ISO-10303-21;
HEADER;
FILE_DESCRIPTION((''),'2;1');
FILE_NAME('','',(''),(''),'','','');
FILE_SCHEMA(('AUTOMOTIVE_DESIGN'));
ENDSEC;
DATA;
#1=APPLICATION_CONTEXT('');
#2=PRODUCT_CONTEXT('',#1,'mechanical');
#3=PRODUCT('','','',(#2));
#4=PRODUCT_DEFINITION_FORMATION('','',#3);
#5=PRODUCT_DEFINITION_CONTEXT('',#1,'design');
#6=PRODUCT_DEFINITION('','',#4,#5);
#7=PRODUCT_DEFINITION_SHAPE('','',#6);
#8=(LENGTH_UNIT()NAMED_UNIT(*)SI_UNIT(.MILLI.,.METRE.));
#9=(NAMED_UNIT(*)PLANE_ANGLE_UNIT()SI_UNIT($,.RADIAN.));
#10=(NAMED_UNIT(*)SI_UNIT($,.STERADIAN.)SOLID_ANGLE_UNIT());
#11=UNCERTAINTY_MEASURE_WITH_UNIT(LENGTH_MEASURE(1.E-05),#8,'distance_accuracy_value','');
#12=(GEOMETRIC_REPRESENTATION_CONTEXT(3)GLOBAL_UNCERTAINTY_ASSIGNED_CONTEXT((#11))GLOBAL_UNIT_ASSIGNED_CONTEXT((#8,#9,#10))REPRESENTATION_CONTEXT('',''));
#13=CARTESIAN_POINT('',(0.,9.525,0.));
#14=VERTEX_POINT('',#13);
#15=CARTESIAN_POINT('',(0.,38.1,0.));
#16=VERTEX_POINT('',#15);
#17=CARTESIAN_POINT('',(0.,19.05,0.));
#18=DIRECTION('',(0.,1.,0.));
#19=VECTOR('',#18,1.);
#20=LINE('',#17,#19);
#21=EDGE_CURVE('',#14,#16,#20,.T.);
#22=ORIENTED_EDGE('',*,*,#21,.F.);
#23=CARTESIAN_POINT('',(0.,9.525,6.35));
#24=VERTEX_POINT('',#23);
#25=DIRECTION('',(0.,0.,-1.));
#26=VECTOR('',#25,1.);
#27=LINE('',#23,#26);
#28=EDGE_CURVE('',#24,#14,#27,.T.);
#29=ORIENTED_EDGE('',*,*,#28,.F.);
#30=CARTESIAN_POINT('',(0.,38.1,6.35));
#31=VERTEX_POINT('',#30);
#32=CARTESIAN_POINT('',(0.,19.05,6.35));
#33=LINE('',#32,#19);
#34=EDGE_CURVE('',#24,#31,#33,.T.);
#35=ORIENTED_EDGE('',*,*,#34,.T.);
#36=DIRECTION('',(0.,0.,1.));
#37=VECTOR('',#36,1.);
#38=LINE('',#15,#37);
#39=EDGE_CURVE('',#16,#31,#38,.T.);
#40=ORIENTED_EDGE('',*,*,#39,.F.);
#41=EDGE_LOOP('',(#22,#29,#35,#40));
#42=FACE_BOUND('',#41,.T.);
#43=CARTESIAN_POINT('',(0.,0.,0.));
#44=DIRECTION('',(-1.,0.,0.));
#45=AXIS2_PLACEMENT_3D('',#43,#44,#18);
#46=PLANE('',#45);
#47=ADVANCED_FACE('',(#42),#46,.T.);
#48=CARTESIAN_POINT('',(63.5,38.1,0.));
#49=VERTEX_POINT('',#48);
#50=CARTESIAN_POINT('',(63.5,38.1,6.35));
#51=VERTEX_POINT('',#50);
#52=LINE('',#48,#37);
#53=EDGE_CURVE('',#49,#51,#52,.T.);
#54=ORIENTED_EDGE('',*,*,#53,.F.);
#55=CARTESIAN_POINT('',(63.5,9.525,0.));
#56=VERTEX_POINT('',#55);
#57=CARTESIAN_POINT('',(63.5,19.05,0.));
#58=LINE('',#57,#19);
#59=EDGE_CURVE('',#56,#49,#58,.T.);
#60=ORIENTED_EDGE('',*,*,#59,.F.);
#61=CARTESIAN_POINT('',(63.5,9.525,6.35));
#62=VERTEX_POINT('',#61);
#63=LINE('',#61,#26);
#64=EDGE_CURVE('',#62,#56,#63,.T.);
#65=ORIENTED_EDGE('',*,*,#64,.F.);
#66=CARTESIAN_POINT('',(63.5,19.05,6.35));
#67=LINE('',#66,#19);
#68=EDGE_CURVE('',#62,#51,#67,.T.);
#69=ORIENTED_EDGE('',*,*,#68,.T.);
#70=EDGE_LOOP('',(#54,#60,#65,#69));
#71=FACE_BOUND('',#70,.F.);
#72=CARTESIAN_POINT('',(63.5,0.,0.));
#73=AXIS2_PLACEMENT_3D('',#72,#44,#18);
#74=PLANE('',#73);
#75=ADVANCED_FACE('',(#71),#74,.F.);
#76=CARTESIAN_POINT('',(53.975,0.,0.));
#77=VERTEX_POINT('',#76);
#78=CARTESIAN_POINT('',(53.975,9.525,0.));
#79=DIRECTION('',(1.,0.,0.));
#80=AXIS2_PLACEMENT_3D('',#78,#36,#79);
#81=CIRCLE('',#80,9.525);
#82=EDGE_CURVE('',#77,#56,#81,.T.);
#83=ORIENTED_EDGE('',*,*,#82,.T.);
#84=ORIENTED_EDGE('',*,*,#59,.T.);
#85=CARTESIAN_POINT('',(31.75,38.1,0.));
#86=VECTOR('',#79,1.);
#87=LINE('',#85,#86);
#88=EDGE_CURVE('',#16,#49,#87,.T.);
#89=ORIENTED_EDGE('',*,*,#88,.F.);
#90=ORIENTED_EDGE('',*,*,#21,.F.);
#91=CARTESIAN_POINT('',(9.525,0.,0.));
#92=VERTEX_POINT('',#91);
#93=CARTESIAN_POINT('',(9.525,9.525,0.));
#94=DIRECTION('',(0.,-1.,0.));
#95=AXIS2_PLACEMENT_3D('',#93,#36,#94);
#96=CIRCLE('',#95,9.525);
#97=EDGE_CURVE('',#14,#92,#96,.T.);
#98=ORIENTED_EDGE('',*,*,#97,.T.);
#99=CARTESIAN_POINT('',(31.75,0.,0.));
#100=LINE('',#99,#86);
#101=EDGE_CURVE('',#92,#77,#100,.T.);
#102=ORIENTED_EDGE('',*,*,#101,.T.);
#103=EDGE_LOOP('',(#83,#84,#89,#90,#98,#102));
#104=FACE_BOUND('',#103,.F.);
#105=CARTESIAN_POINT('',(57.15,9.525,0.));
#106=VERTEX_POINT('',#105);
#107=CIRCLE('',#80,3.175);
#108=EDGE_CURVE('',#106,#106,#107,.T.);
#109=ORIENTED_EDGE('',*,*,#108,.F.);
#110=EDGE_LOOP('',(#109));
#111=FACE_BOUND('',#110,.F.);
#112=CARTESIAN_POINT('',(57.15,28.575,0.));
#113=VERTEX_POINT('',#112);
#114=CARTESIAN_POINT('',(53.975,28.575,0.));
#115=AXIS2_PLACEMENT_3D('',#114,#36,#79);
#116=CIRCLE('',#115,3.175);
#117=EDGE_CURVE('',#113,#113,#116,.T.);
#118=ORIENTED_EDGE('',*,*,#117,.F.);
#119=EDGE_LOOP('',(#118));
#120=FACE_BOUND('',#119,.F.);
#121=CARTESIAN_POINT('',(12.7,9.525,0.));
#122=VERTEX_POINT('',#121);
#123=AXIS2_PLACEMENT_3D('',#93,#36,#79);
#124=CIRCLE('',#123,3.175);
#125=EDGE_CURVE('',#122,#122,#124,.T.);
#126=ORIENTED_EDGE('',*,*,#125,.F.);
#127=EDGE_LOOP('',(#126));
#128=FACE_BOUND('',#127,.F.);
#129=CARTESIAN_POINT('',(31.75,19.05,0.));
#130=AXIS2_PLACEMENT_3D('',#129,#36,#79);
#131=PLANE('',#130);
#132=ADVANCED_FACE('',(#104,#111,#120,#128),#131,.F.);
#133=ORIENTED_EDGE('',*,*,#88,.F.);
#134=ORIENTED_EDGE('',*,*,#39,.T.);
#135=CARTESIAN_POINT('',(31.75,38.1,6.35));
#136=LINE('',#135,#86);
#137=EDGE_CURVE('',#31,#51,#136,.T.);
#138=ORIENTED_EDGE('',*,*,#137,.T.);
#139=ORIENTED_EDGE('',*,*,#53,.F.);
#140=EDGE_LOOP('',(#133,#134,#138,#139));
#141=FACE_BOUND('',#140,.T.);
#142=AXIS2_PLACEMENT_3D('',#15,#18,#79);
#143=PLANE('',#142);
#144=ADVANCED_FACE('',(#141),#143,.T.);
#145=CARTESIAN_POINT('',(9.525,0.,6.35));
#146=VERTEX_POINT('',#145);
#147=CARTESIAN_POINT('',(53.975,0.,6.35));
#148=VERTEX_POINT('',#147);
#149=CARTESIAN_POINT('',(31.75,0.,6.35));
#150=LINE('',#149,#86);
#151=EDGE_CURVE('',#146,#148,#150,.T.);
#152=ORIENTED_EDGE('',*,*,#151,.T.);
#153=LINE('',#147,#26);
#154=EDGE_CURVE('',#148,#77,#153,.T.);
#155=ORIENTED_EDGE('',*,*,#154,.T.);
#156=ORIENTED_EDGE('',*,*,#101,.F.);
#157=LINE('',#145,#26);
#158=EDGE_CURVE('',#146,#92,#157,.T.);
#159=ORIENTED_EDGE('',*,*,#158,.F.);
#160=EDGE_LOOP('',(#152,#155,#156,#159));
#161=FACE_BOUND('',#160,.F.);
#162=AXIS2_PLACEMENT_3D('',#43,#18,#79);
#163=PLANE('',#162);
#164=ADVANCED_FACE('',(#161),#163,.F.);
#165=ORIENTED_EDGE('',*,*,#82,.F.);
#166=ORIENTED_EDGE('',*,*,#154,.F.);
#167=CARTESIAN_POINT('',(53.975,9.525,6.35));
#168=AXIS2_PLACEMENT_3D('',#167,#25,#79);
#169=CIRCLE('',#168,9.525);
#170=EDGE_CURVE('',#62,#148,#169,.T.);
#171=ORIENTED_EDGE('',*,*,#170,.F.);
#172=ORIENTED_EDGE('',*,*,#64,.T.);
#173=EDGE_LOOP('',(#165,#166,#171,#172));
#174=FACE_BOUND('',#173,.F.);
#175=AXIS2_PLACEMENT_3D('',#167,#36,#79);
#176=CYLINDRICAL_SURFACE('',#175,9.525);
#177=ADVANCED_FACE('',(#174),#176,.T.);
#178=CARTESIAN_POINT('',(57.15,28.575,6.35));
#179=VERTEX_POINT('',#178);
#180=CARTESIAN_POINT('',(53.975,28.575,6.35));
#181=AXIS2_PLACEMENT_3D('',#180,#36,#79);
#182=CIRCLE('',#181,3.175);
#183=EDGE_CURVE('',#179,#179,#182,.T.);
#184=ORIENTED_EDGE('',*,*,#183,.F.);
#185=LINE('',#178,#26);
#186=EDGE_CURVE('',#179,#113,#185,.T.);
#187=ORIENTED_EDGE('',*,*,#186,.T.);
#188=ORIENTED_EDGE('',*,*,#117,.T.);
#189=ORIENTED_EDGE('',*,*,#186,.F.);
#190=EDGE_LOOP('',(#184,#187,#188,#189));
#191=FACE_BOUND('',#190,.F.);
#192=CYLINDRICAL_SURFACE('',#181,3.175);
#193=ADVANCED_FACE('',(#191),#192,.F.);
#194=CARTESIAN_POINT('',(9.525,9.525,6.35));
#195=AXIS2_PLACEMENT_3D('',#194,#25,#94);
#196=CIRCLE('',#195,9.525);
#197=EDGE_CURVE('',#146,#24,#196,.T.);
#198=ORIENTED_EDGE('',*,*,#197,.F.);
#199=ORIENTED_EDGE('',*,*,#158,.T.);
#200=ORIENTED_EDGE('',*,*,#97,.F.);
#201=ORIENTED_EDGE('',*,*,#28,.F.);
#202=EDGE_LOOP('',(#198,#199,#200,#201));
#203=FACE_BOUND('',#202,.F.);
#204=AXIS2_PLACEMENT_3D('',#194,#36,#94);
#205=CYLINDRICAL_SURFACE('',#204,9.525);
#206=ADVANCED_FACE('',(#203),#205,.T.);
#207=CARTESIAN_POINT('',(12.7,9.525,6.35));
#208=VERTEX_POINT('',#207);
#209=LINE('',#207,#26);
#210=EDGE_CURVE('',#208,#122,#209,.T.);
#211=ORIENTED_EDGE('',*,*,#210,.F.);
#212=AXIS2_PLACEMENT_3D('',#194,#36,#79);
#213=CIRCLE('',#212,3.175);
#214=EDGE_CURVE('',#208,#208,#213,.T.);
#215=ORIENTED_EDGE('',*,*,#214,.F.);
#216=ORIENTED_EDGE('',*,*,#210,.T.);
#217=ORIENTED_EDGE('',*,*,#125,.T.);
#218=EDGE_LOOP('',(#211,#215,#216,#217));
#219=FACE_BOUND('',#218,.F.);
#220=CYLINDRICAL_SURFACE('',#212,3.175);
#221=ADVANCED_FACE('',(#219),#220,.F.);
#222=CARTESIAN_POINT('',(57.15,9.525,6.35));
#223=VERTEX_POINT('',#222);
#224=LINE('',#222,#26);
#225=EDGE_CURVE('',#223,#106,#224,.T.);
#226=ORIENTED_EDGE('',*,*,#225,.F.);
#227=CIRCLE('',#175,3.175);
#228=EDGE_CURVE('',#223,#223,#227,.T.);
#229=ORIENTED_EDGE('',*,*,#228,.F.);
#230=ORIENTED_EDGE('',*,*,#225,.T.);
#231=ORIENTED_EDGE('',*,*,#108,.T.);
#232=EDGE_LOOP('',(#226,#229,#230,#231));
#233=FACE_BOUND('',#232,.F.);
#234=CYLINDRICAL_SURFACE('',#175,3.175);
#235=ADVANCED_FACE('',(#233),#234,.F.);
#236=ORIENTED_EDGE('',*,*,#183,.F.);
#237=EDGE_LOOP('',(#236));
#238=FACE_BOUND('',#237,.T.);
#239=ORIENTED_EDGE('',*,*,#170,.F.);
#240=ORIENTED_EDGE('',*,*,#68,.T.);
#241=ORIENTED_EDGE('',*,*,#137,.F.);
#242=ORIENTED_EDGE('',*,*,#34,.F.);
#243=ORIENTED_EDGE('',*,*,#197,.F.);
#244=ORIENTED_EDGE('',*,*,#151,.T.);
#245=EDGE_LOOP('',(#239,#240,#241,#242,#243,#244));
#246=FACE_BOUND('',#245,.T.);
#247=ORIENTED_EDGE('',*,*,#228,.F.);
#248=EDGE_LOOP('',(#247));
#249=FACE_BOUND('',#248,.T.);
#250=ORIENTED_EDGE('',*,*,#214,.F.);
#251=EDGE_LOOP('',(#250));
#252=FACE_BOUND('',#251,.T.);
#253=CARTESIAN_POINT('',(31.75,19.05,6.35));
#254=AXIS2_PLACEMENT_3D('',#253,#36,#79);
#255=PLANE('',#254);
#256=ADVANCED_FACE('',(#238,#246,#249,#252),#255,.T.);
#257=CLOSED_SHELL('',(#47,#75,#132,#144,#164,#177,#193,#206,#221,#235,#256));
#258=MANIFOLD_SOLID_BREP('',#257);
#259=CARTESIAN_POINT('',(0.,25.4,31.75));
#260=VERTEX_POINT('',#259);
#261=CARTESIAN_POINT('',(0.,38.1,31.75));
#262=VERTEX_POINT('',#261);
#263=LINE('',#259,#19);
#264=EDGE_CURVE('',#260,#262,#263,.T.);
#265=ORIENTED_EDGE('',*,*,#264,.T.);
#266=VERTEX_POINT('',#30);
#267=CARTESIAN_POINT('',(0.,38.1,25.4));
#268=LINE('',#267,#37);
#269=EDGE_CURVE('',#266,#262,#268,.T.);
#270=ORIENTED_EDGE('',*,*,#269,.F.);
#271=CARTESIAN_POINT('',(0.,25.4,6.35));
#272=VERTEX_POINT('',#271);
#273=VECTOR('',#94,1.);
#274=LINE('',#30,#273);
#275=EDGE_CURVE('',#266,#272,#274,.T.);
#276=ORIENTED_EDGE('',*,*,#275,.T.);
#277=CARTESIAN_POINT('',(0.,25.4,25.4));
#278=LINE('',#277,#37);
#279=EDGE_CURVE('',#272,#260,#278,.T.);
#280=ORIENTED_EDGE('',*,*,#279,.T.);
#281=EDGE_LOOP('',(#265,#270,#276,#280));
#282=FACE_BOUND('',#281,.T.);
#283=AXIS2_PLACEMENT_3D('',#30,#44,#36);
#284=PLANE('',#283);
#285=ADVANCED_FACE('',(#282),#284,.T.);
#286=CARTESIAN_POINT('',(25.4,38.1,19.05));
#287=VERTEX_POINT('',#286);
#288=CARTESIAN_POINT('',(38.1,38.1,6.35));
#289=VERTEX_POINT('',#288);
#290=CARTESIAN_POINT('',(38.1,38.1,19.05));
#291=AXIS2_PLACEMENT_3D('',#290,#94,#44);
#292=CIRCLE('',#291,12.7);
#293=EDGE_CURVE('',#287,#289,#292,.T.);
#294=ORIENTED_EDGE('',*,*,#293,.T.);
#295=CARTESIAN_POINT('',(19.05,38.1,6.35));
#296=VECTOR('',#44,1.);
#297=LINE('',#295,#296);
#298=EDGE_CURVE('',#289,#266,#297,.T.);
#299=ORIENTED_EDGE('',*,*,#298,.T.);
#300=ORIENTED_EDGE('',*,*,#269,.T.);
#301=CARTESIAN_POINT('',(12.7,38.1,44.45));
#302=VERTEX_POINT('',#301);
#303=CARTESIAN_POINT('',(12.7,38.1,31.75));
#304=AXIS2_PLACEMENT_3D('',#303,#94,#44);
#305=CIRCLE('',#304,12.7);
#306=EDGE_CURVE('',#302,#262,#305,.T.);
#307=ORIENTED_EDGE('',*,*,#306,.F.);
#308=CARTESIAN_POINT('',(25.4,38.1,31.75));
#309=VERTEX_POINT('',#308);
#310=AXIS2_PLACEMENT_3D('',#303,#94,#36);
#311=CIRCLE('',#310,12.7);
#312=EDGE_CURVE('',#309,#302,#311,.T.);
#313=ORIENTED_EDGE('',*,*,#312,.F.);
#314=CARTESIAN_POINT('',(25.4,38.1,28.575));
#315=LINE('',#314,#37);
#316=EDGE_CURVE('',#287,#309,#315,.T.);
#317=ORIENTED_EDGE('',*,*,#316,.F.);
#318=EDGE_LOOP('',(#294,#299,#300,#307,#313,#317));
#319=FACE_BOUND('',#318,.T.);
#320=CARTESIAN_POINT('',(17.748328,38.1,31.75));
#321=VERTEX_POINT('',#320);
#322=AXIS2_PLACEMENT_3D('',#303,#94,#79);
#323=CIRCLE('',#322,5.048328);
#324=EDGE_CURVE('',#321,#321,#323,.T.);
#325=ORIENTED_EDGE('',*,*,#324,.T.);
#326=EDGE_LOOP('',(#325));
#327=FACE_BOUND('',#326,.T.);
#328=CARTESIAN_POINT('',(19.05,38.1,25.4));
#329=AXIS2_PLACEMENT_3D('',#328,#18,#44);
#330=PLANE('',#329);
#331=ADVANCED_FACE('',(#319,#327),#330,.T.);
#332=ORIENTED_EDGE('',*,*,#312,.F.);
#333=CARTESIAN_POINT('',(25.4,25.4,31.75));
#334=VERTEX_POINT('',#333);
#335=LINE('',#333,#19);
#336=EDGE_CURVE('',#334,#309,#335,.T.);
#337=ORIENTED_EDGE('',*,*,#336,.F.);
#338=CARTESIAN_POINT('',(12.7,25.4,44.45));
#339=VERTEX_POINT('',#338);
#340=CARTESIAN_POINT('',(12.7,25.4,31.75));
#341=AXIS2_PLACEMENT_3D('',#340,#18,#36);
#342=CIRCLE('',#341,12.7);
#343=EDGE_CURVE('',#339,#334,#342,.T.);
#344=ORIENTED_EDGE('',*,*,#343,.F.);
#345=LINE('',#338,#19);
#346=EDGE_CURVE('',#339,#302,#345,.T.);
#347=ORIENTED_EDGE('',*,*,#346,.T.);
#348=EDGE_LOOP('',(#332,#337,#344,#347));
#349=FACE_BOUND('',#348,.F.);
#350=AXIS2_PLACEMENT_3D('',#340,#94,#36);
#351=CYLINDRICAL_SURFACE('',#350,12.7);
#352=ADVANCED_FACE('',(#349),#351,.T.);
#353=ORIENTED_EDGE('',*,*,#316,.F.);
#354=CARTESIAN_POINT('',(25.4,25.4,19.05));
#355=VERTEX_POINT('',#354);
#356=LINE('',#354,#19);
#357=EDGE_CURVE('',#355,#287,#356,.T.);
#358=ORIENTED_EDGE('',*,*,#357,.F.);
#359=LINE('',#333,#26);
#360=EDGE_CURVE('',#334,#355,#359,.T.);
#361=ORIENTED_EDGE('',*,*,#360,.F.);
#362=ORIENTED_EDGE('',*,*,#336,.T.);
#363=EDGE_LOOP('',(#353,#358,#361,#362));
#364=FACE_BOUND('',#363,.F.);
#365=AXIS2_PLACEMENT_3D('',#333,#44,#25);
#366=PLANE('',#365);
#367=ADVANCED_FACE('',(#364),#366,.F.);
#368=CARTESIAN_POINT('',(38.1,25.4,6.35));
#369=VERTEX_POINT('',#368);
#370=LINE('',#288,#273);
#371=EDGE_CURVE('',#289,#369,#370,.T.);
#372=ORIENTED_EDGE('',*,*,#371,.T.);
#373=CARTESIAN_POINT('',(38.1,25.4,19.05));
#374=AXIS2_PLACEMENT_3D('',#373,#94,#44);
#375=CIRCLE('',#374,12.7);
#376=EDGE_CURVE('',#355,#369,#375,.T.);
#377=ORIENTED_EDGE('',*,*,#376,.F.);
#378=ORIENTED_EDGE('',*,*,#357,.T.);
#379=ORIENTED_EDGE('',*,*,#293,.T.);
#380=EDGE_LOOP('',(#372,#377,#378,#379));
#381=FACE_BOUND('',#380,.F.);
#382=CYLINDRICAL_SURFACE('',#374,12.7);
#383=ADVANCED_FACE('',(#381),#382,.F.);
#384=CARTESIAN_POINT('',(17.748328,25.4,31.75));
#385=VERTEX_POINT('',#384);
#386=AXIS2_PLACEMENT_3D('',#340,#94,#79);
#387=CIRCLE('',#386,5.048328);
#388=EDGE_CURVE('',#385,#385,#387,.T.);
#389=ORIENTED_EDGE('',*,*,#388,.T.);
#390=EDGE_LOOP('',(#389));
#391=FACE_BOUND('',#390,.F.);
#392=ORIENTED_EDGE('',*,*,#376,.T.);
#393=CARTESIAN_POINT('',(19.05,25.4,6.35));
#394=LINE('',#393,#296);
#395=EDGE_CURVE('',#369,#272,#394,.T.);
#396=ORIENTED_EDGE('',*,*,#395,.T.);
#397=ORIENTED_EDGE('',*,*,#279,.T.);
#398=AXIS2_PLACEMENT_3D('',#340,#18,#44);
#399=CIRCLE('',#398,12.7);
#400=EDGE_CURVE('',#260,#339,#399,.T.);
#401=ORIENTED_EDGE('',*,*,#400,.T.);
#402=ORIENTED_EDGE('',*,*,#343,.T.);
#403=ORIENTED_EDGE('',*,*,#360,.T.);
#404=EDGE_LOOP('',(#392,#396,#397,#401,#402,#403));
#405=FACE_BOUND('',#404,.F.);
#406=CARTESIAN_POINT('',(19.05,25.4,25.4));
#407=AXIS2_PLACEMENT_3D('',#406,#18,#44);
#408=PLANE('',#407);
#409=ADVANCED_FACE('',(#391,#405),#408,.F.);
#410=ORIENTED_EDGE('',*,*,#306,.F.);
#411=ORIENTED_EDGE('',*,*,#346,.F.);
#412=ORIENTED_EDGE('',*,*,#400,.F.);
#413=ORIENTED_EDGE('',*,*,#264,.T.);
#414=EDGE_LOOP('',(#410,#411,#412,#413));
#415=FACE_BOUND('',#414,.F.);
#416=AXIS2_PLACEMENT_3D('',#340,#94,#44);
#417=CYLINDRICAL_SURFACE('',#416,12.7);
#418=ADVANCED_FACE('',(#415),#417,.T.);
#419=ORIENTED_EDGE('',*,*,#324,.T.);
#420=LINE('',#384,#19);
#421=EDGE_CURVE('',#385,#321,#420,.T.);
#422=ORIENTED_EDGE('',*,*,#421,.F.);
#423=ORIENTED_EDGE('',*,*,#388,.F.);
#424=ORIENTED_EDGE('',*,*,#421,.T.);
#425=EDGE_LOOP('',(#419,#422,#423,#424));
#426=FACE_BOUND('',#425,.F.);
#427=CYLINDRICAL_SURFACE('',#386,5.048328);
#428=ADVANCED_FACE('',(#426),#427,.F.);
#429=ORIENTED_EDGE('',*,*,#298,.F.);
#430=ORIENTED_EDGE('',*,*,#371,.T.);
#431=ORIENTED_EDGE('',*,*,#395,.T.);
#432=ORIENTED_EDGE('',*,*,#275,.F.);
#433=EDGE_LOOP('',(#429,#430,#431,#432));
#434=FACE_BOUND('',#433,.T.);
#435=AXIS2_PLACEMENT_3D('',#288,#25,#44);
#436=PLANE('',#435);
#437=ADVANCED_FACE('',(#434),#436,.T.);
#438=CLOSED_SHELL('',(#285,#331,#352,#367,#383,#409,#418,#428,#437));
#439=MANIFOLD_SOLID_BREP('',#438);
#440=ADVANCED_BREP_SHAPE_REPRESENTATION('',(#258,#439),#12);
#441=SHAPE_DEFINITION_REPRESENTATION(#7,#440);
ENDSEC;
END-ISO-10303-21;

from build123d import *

# Parameters (mm, degrees)
F0_W     = 63.5
F0_H     = 38.1
F1_DEPTH = 6.35
F2_R     = 3.175
F3_DEPTH = 25.4
F4_W     = 38.1
F4_H     = 38.1
F5_DEPTH = 12.7
F6_R     = 5.0483278961
F7_DEPTH = 25.4


with BuildPart() as f1:
    # F0 (on Top) → F1 (new body)
    with BuildSketch(Plane.XY):
        with Locations((31.75, 19.05)):
            Rectangle(F0_W, F0_H)
    extrude(amount=F1_DEPTH)

    # F2 (on face) → F3 (cut)
    with BuildSketch(Plane.XY.offset(6.35)):
        with Locations((53.975, 28.575)):
            Circle(F2_R)
        with Locations((53.975, 9.525)):
            Circle(F2_R)
        with Locations((9.525, 9.525)):
            Circle(F2_R)
        with BuildLine():
            ThreePointArc((9.525, 0), (2.7898079092, 2.7898079092), (0, 9.525))
            Line((0, 9.525), (0, 0))
            Line((0, 0), (9.525, 0))
        make_face()
        with BuildLine():
            ThreePointArc((63.5, 9.525), (60.7101920908, 2.7898079092), (53.975, 0))
            Line((53.975, 0), (63.5, 0))
            Line((63.5, 0), (63.5, 9.525))
        make_face()
    extrude(amount=-F3_DEPTH, mode=Mode.SUBTRACT)


with BuildPart() as f5:
    # F4 (on face) → F5 (new body)
    with BuildSketch(Plane(origin=(0, 38.1, 0), x_dir=(-1, 0, 0), z_dir=(0, 1, 0))):
        with Locations((-19.05, 25.4)):
            Rectangle(F4_W, F4_H)
    extrude(amount=-F5_DEPTH)

    # F6 (on face) → F7 (cut)
    with BuildSketch(Plane.XZ.offset(-25.4)):
        with BuildLine():
            Line((38.1, 44.45), (12.7, 44.45))
            ThreePointArc((12.7, 44.45), (21.6802561211, 40.7302561211), (25.4, 31.75))
            Line((25.4, 31.75), (25.4, 19.05))
            ThreePointArc((25.4, 19.05), (29.1197438789, 10.0697438789), (38.1, 6.35))
            Line((38.1, 6.35), (38.1, 44.45))
        make_face()
        with BuildLine():
            ThreePointArc((0, 31.75), (3.7197438789, 40.7302561211), (12.7, 44.45))
            Line((12.7, 44.45), (0, 44.45))
            Line((0, 44.45), (0, 31.75))
        make_face()
        with Locations((12.7, 31.75)):
            Circle(F6_R)
    extrude(amount=-F7_DEPTH, mode=Mode.SUBTRACT)


solid = Compound([f1.part, f5.part])
